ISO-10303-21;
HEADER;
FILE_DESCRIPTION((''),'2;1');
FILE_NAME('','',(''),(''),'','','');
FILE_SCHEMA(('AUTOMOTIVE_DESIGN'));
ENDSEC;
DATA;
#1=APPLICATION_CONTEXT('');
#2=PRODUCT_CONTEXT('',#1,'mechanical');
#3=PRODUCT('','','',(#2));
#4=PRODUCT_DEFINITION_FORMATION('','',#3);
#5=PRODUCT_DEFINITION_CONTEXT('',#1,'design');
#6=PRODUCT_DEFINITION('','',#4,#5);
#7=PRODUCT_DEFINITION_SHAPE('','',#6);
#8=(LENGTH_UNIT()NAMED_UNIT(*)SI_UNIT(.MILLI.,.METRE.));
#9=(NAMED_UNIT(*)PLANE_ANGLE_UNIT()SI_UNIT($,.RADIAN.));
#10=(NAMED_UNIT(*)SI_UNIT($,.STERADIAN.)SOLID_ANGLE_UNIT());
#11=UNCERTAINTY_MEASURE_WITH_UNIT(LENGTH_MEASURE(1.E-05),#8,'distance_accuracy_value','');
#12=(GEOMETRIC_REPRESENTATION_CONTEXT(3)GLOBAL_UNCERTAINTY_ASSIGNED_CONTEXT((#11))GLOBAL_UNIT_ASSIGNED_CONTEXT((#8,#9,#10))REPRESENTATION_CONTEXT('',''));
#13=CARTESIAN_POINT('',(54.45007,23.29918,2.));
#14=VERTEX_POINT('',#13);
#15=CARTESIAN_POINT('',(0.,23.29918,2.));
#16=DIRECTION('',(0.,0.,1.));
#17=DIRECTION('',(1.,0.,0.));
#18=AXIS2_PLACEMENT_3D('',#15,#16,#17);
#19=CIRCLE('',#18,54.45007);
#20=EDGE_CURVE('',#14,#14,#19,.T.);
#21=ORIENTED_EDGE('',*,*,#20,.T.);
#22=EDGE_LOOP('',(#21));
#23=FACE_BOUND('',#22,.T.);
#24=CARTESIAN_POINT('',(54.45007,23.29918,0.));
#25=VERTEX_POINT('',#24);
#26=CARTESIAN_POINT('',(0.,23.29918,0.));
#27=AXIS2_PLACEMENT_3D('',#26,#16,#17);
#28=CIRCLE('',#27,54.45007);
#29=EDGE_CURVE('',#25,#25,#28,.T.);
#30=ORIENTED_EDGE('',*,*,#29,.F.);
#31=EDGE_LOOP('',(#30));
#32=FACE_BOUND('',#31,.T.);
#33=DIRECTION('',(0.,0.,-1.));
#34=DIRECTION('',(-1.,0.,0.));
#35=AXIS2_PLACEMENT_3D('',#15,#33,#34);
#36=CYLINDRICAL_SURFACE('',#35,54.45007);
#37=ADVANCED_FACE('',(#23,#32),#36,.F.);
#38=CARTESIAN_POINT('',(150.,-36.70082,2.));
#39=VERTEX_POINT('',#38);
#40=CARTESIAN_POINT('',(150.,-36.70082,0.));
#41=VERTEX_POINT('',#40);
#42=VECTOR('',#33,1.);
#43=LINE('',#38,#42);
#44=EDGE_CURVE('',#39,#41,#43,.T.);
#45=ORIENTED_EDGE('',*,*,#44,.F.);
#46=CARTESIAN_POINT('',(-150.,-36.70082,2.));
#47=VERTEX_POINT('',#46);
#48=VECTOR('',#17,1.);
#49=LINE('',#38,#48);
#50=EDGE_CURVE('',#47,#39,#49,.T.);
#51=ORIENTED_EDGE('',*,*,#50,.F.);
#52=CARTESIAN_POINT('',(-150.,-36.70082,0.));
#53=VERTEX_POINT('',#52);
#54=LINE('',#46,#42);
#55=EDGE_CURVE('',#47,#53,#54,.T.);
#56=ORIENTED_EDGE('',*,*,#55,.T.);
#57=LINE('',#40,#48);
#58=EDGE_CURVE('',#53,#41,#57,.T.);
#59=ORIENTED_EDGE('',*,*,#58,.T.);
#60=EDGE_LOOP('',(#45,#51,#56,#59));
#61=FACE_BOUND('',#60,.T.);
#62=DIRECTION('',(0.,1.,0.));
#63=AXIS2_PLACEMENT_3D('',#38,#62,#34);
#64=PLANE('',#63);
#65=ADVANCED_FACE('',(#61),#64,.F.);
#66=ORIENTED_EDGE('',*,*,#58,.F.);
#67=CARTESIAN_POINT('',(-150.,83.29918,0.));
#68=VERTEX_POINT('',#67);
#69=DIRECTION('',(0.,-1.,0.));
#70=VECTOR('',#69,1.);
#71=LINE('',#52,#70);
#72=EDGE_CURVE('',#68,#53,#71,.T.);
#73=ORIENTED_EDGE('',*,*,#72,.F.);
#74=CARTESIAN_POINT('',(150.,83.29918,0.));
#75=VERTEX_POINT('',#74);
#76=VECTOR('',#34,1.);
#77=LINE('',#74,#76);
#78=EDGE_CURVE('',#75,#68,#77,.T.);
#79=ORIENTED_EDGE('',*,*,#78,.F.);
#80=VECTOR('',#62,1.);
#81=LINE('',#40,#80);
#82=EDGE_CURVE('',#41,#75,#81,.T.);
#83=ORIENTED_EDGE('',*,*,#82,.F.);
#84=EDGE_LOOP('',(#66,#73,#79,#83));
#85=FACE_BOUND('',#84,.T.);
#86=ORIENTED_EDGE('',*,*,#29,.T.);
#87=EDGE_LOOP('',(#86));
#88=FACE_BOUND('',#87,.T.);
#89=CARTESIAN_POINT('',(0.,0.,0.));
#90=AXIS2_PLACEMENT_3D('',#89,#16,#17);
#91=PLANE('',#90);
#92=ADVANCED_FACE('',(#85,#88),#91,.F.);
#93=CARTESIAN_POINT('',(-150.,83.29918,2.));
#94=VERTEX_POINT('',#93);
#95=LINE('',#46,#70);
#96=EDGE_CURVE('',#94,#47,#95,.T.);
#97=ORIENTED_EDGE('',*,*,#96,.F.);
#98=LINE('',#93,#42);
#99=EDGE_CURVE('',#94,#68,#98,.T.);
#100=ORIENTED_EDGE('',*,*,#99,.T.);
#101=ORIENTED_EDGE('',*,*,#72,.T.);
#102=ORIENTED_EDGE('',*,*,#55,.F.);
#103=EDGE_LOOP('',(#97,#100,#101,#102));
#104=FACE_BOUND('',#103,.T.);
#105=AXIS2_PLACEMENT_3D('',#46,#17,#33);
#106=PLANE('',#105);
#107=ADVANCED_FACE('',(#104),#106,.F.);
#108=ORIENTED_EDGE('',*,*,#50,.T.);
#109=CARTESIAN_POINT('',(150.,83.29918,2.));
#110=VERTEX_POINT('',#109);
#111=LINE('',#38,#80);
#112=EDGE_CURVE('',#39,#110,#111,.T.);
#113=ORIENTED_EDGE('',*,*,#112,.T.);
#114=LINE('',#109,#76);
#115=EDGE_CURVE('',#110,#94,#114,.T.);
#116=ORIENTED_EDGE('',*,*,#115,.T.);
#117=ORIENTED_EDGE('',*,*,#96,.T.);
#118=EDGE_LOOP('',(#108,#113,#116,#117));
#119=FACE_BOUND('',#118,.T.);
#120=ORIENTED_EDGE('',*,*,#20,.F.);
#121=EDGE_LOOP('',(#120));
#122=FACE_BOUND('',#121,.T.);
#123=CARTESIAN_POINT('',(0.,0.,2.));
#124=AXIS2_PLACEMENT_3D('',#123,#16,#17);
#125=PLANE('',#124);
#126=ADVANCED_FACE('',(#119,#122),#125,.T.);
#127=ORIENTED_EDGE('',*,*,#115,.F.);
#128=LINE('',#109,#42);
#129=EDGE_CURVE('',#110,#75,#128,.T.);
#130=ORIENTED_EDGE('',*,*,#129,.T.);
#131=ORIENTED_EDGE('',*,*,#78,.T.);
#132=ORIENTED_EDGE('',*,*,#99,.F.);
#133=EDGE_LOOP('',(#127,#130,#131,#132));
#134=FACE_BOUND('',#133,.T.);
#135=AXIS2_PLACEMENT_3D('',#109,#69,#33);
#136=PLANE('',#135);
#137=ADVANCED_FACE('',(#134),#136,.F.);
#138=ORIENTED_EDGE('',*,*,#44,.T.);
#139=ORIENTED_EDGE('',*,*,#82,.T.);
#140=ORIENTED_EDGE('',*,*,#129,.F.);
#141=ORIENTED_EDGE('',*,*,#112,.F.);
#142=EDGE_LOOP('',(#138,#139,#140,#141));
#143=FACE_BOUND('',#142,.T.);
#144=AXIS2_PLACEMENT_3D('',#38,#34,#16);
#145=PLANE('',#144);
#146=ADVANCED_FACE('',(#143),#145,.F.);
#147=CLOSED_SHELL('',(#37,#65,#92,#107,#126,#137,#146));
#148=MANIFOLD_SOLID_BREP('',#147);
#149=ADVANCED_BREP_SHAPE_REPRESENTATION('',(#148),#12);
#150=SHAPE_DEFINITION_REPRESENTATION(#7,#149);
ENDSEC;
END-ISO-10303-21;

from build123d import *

# Parameters (mm, degrees)
SKETCH1_W           = 300
SKETCH1_H           = 120
SKETCH1_R           = 54.450069984
BOSS_EXTRUDE1_DEPTH = 2


with BuildPart() as part:
    # Sketch1 → Boss-Extrude1 (new body)
    with BuildSketch(Plane.XY):
        with Locations((0, 23.299180328)):
            Rectangle(SKETCH1_W, SKETCH1_H)
        with Locations((0, 23.299180328)):
            Circle(SKETCH1_R, mode=Mode.SUBTRACT)
    extrude(amount=BOSS_EXTRUDE1_DEPTH)


solid = part.part
